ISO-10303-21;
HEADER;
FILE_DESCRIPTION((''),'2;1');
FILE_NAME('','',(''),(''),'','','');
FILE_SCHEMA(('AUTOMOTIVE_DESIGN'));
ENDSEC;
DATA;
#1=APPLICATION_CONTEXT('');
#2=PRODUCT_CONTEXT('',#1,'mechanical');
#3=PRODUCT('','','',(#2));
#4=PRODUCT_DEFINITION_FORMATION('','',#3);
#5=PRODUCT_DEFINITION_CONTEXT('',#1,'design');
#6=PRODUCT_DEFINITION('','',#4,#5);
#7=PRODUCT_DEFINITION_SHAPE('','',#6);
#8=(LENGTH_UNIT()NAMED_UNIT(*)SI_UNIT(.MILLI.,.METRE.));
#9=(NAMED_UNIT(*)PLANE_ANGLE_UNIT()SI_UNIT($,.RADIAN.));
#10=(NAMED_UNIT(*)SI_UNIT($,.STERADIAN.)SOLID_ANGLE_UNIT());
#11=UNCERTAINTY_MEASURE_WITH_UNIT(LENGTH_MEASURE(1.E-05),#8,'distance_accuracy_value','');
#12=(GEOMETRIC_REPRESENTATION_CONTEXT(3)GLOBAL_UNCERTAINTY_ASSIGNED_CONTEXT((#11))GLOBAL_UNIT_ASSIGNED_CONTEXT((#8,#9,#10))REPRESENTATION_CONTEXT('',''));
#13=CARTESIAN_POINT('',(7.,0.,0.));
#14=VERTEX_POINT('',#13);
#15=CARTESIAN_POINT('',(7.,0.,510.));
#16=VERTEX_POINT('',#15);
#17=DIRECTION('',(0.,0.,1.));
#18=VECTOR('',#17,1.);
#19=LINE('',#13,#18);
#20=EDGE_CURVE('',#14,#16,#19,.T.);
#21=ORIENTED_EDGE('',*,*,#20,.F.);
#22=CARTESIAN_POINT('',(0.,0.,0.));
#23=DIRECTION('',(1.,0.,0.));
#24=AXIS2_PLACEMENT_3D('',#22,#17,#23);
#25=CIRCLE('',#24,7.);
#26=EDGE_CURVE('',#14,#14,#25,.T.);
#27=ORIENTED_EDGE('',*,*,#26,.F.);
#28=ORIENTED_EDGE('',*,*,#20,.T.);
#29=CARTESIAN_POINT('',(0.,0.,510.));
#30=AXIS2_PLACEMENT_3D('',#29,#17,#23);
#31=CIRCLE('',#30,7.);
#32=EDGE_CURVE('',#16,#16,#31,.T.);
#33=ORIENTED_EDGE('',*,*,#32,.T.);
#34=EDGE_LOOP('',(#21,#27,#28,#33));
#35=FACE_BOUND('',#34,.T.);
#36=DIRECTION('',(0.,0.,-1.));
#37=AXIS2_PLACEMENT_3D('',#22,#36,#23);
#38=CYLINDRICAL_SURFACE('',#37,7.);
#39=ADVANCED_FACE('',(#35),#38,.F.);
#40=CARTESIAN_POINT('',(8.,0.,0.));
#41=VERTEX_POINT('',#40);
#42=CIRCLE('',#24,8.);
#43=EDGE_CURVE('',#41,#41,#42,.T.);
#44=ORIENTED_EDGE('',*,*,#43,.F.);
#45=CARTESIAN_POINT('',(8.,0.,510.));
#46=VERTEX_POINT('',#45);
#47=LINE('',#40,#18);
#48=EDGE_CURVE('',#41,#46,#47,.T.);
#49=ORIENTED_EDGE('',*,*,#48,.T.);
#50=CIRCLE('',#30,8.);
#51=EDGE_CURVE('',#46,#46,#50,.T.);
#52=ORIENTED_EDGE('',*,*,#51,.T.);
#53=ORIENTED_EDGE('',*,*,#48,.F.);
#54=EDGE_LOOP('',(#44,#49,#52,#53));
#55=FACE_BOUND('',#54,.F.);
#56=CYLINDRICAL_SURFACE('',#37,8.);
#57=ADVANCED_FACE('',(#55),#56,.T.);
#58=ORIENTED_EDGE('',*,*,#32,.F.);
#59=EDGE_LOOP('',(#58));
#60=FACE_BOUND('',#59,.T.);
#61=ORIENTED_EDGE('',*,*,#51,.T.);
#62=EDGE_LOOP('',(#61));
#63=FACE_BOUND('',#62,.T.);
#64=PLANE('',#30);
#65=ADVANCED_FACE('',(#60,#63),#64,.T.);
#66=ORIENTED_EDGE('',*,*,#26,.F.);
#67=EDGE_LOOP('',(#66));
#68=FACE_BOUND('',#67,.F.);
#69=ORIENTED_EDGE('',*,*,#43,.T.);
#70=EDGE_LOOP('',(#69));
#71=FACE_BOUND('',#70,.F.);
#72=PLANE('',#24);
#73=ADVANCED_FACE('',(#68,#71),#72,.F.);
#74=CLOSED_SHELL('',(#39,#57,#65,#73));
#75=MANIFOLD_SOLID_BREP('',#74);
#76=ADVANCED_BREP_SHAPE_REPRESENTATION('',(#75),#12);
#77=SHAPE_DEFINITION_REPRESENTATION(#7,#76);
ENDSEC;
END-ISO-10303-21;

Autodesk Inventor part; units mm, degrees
ref_plane "YZ Plane" through (0, 0, 0) normal (1, 0, 0) x (0, 1, 0)
ref_plane "XZ Plane" through (0, 0, 0) normal (0, 1, 0) x (-1, 0, 0)
ref_plane "XY Plane" through (0, 0, 0) normal (0, 0, 1) x (1, 0, 0)
sketch "Sketch1" plane through (0, 0, 0) normal (0, 0, 1) x (1, 0, 0)
  circle A0 centre (0, 0) radius 8
  circle A1 centre (0, 0) radius 7
  dimension "d0" = 16
  dimension "d1" = 14
extrude "Extrusion1" add sketch "Sketch1" along normal blind 510
properties part number "Tube_16x1x510_CFRP" material "CFRP"
